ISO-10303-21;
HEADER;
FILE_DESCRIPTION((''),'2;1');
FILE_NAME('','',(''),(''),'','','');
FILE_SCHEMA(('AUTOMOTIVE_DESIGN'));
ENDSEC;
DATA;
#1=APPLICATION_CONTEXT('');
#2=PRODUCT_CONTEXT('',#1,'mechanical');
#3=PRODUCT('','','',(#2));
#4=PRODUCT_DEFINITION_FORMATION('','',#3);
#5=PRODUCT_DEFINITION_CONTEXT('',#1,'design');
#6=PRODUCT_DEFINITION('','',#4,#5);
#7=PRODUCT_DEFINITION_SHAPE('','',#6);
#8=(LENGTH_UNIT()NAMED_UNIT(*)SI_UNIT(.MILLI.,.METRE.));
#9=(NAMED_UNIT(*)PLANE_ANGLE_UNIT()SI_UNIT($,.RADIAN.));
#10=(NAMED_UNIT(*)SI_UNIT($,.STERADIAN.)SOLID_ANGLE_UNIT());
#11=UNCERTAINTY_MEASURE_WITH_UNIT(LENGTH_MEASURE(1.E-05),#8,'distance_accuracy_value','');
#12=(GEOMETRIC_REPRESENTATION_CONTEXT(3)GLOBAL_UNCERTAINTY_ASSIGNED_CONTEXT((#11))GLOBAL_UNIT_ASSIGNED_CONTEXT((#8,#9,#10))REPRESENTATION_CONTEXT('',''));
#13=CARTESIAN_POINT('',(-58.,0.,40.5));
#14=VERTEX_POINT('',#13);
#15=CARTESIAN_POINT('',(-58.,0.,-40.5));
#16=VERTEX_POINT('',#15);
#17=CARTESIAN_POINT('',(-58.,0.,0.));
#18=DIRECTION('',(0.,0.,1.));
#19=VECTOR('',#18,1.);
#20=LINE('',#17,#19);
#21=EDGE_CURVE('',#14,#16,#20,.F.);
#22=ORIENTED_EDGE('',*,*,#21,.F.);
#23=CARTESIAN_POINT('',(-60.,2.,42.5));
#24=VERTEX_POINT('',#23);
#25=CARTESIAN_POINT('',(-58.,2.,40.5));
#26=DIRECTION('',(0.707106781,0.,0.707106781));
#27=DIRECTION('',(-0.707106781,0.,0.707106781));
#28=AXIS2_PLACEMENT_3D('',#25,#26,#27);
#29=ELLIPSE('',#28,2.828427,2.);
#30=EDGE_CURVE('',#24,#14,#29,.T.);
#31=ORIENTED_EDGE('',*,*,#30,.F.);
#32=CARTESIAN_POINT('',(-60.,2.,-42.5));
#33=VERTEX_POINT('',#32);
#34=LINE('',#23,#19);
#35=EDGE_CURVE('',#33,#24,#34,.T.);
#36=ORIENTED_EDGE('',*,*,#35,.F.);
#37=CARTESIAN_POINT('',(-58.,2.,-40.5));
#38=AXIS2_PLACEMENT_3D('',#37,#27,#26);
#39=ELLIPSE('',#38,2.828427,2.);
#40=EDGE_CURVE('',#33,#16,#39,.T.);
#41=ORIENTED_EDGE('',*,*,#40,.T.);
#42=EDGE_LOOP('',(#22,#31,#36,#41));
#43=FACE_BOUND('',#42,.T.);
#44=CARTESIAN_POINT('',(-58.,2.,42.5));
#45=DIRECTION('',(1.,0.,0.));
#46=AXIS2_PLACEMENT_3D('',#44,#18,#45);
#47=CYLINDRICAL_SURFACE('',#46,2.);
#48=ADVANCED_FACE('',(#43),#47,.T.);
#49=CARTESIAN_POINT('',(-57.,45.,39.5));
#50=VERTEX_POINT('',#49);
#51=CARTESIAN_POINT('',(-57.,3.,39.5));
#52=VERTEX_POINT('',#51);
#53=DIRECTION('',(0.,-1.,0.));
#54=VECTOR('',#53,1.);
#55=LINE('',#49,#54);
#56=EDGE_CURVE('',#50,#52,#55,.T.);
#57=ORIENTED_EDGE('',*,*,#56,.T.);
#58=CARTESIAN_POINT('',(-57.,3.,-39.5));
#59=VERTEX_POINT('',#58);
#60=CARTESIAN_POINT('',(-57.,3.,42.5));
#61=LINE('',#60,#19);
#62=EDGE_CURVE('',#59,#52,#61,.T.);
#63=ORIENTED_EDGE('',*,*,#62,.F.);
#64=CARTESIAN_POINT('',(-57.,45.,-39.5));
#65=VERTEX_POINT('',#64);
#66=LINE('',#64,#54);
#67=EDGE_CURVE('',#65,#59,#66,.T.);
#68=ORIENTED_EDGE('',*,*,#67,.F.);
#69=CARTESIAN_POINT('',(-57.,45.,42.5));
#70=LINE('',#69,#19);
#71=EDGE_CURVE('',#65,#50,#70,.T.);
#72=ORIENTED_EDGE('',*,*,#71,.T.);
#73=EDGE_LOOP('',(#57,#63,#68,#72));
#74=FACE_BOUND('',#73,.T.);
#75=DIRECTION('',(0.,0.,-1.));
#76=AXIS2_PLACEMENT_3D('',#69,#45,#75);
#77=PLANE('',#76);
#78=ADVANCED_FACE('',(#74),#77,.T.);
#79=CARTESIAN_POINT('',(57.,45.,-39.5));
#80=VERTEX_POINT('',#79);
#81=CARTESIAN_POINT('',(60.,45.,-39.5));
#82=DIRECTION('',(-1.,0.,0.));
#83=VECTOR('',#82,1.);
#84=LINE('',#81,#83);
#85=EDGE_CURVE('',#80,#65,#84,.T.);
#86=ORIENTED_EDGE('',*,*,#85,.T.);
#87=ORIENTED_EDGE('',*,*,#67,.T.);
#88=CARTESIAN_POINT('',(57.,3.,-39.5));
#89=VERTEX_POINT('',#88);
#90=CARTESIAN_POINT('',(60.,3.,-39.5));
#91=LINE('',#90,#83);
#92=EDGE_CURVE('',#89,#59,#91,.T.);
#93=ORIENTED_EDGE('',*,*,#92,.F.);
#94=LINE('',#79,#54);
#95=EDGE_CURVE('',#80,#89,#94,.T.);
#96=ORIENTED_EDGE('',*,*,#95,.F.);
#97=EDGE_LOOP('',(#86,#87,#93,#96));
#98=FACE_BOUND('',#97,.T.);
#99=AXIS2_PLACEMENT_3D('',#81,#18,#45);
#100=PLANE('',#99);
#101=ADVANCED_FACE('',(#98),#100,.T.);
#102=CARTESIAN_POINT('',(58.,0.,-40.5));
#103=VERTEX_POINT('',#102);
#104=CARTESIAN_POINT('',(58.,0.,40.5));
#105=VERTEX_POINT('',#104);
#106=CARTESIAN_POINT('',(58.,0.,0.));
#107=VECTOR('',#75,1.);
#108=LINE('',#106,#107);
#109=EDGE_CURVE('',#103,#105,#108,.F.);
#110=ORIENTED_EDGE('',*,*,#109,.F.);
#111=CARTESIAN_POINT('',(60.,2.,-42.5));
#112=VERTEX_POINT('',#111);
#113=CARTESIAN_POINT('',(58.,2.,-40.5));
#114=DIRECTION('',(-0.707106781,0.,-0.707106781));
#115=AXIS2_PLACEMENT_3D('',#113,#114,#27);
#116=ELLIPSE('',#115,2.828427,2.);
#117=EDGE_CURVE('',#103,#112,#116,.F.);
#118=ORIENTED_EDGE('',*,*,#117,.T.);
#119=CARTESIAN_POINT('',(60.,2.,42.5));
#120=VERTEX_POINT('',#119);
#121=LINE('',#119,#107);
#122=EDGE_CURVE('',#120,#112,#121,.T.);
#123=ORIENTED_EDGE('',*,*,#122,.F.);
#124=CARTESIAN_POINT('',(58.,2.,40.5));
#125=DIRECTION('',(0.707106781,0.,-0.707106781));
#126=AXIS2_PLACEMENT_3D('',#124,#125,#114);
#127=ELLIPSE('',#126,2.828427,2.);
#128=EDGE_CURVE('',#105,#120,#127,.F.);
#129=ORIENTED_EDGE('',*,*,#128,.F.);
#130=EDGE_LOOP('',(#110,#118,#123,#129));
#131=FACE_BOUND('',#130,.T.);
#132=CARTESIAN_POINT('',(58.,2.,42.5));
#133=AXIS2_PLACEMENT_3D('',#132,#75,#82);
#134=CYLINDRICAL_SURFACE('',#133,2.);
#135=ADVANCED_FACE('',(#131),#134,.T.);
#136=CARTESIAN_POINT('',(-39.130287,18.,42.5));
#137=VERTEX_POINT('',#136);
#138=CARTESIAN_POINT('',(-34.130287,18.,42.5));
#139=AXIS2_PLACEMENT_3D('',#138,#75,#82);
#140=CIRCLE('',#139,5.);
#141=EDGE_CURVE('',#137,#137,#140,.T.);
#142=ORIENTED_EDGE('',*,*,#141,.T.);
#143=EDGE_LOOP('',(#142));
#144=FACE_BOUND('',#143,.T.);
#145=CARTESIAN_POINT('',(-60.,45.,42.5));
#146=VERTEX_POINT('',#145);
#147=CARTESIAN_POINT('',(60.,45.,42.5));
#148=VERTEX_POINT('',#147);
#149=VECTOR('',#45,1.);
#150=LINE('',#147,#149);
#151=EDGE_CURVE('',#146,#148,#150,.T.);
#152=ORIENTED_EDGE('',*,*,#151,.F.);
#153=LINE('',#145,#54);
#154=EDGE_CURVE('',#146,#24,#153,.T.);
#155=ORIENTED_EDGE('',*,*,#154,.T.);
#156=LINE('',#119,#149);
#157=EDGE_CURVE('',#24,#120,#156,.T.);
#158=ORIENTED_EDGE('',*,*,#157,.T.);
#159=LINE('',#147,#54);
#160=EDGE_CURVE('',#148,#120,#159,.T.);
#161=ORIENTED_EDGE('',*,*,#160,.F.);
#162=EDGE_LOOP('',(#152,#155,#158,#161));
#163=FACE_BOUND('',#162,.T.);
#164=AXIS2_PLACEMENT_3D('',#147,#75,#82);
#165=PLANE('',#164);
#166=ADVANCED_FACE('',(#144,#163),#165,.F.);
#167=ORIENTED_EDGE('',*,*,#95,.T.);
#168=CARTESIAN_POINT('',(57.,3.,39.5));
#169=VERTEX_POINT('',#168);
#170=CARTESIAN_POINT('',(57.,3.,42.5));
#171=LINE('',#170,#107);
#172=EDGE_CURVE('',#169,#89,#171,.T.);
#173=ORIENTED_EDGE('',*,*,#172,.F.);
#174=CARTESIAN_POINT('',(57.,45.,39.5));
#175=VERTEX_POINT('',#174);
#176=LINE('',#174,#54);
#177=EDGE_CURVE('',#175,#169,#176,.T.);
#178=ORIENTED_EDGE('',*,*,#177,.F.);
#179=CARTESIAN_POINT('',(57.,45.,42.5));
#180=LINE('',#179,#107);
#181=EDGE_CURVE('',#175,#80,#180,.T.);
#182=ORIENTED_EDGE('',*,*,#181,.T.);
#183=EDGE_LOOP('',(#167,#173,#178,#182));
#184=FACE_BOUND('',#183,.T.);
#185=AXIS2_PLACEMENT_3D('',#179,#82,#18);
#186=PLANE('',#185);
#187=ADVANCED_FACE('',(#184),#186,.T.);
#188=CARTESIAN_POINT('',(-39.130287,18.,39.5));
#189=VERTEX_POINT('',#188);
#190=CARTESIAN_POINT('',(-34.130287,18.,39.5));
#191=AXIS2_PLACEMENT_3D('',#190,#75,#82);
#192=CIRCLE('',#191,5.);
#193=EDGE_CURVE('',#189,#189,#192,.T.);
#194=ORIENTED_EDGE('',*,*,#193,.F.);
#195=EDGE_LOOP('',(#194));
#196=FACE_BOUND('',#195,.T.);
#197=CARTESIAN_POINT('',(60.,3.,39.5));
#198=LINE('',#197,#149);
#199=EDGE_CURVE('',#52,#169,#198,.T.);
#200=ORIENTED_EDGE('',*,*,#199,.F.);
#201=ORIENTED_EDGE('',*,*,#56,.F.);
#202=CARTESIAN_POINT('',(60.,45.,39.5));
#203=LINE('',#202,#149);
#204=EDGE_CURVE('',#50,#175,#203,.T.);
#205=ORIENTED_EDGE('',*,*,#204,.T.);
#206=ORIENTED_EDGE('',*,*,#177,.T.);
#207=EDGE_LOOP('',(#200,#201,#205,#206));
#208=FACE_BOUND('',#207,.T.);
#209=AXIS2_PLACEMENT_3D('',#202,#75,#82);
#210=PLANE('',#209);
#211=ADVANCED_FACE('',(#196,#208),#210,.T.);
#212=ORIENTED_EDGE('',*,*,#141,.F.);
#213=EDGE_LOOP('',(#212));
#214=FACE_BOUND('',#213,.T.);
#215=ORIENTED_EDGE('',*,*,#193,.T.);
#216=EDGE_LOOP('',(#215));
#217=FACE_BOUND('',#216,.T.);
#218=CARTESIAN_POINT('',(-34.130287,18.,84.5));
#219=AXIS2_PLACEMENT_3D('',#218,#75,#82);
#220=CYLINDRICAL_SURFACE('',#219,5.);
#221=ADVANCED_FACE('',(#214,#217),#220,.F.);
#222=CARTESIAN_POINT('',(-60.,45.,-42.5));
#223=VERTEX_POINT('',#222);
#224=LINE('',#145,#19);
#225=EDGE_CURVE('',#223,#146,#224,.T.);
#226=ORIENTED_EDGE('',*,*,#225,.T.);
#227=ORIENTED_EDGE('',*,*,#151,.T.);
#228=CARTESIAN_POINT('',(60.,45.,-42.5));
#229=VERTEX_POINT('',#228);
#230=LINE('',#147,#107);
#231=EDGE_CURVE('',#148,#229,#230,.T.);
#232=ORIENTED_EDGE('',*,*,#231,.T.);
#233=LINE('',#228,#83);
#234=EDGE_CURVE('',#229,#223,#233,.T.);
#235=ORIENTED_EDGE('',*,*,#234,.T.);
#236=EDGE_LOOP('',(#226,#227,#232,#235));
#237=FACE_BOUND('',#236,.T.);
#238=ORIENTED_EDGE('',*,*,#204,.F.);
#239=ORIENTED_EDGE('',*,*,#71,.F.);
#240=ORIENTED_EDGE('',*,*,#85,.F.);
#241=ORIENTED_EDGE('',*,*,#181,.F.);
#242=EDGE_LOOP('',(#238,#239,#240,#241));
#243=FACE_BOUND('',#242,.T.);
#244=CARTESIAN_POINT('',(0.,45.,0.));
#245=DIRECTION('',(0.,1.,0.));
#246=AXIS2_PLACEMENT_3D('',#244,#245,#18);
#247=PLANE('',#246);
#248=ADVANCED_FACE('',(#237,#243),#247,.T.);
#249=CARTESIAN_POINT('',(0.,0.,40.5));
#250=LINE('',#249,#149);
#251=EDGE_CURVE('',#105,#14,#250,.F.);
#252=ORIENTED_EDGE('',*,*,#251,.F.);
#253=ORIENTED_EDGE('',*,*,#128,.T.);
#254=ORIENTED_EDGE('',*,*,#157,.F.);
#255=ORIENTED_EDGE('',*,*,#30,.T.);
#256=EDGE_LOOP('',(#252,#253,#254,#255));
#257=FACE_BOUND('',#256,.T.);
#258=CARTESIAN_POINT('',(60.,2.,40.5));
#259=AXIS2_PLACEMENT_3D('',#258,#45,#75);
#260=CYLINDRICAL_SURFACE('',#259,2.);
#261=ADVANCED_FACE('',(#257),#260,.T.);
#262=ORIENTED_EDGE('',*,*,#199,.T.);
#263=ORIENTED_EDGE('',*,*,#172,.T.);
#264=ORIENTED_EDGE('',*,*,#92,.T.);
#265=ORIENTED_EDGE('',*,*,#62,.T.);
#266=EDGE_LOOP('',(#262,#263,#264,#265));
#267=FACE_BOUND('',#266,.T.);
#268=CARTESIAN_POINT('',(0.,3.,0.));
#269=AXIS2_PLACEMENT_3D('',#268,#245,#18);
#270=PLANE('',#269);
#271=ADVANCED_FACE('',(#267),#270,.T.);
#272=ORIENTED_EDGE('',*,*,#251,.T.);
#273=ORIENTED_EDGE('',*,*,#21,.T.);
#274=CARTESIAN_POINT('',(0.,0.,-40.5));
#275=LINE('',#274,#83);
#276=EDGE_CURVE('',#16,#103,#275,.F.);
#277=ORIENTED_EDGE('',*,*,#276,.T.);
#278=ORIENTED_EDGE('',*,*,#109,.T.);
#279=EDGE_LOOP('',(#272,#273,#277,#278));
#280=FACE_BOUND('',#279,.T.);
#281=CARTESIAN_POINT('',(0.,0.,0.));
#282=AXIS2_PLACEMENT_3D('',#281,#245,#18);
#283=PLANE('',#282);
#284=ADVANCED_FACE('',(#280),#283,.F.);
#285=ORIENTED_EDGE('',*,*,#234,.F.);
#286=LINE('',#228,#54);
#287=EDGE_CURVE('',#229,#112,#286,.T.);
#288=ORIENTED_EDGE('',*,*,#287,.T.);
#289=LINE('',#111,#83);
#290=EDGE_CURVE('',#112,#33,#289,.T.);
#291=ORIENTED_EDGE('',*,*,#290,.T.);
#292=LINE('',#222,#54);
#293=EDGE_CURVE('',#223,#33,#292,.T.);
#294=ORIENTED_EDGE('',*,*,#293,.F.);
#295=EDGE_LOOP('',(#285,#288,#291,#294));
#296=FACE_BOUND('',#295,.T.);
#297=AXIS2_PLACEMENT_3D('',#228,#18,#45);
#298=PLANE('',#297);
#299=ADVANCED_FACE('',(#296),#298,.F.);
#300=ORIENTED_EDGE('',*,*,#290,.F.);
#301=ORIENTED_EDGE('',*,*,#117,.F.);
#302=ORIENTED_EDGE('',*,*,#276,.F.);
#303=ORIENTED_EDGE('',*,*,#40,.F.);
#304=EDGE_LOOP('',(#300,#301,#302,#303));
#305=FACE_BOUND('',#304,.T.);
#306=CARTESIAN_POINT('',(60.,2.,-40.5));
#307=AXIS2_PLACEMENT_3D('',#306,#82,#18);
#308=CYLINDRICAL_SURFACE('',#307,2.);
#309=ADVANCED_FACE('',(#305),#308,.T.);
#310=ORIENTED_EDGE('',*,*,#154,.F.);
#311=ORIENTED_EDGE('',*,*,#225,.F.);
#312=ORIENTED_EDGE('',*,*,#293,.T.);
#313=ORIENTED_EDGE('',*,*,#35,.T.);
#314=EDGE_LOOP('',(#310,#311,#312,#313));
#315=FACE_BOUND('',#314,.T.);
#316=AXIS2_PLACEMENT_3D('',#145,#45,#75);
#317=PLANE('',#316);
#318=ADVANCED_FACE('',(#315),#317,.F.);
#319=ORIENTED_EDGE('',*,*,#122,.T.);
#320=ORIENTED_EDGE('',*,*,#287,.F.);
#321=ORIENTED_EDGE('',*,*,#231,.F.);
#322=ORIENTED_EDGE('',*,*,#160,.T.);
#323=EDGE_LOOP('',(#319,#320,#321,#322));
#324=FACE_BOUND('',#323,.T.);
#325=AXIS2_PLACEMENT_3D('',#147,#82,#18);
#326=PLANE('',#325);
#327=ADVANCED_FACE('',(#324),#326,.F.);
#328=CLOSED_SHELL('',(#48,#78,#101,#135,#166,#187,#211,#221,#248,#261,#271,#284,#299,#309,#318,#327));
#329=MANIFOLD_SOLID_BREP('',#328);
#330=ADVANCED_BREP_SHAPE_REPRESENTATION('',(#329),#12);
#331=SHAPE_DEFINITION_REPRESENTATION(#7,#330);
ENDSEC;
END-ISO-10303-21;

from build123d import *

# Parameters (mm, degrees)
SKETCH1_W           = 120
SKETCH1_H           = 85
BOSS_EXTRUDE1_DEPTH = 45
SHELL1_T            = -3
SKETCH5_R           = 5
CUT_EXTRUDE2_DEPTH  = 45
FILLET1_R           = 2


with BuildPart() as part:
    # Sketch1 → Boss-Extrude1 (new body)
    with BuildSketch(Plane(origin=(0, 0, 0), x_dir=(1, 0, 0), z_dir=(0, 1, 0))):
        Rectangle(SKETCH1_W, SKETCH1_H)
    extrude(amount=BOSS_EXTRUDE1_DEPTH)

    # Shell1
    shell1_openings = [part.faces().sort_by_distance(p)[0] for p in [
        (0, 45, 0),
    ]]
    offset(amount=SHELL1_T, openings=shell1_openings, kind=Kind.INTERSECTION)

    # Sketch5 → Cut-Extrude2 (cut)
    with BuildSketch(Plane(origin=(0, 0, 39.5), x_dir=(-1, 0, 0), z_dir=(0, 0, -1))):
        with Locations((34.130287034, 18)):
            Circle(SKETCH5_R)
    extrude(amount=-CUT_EXTRUDE2_DEPTH, mode=Mode.SUBTRACT)

    # Fillet1
    fillet1_edges = [part.edges().sort_by_distance(p)[0] for p in [
        (0, 0, -42.5),
        (60, 0, 0),
        (0, 0, 42.5),
        (-60, 0, 0),
    ]]
    fillet(fillet1_edges, radius=FILLET1_R)


solid = part.part
